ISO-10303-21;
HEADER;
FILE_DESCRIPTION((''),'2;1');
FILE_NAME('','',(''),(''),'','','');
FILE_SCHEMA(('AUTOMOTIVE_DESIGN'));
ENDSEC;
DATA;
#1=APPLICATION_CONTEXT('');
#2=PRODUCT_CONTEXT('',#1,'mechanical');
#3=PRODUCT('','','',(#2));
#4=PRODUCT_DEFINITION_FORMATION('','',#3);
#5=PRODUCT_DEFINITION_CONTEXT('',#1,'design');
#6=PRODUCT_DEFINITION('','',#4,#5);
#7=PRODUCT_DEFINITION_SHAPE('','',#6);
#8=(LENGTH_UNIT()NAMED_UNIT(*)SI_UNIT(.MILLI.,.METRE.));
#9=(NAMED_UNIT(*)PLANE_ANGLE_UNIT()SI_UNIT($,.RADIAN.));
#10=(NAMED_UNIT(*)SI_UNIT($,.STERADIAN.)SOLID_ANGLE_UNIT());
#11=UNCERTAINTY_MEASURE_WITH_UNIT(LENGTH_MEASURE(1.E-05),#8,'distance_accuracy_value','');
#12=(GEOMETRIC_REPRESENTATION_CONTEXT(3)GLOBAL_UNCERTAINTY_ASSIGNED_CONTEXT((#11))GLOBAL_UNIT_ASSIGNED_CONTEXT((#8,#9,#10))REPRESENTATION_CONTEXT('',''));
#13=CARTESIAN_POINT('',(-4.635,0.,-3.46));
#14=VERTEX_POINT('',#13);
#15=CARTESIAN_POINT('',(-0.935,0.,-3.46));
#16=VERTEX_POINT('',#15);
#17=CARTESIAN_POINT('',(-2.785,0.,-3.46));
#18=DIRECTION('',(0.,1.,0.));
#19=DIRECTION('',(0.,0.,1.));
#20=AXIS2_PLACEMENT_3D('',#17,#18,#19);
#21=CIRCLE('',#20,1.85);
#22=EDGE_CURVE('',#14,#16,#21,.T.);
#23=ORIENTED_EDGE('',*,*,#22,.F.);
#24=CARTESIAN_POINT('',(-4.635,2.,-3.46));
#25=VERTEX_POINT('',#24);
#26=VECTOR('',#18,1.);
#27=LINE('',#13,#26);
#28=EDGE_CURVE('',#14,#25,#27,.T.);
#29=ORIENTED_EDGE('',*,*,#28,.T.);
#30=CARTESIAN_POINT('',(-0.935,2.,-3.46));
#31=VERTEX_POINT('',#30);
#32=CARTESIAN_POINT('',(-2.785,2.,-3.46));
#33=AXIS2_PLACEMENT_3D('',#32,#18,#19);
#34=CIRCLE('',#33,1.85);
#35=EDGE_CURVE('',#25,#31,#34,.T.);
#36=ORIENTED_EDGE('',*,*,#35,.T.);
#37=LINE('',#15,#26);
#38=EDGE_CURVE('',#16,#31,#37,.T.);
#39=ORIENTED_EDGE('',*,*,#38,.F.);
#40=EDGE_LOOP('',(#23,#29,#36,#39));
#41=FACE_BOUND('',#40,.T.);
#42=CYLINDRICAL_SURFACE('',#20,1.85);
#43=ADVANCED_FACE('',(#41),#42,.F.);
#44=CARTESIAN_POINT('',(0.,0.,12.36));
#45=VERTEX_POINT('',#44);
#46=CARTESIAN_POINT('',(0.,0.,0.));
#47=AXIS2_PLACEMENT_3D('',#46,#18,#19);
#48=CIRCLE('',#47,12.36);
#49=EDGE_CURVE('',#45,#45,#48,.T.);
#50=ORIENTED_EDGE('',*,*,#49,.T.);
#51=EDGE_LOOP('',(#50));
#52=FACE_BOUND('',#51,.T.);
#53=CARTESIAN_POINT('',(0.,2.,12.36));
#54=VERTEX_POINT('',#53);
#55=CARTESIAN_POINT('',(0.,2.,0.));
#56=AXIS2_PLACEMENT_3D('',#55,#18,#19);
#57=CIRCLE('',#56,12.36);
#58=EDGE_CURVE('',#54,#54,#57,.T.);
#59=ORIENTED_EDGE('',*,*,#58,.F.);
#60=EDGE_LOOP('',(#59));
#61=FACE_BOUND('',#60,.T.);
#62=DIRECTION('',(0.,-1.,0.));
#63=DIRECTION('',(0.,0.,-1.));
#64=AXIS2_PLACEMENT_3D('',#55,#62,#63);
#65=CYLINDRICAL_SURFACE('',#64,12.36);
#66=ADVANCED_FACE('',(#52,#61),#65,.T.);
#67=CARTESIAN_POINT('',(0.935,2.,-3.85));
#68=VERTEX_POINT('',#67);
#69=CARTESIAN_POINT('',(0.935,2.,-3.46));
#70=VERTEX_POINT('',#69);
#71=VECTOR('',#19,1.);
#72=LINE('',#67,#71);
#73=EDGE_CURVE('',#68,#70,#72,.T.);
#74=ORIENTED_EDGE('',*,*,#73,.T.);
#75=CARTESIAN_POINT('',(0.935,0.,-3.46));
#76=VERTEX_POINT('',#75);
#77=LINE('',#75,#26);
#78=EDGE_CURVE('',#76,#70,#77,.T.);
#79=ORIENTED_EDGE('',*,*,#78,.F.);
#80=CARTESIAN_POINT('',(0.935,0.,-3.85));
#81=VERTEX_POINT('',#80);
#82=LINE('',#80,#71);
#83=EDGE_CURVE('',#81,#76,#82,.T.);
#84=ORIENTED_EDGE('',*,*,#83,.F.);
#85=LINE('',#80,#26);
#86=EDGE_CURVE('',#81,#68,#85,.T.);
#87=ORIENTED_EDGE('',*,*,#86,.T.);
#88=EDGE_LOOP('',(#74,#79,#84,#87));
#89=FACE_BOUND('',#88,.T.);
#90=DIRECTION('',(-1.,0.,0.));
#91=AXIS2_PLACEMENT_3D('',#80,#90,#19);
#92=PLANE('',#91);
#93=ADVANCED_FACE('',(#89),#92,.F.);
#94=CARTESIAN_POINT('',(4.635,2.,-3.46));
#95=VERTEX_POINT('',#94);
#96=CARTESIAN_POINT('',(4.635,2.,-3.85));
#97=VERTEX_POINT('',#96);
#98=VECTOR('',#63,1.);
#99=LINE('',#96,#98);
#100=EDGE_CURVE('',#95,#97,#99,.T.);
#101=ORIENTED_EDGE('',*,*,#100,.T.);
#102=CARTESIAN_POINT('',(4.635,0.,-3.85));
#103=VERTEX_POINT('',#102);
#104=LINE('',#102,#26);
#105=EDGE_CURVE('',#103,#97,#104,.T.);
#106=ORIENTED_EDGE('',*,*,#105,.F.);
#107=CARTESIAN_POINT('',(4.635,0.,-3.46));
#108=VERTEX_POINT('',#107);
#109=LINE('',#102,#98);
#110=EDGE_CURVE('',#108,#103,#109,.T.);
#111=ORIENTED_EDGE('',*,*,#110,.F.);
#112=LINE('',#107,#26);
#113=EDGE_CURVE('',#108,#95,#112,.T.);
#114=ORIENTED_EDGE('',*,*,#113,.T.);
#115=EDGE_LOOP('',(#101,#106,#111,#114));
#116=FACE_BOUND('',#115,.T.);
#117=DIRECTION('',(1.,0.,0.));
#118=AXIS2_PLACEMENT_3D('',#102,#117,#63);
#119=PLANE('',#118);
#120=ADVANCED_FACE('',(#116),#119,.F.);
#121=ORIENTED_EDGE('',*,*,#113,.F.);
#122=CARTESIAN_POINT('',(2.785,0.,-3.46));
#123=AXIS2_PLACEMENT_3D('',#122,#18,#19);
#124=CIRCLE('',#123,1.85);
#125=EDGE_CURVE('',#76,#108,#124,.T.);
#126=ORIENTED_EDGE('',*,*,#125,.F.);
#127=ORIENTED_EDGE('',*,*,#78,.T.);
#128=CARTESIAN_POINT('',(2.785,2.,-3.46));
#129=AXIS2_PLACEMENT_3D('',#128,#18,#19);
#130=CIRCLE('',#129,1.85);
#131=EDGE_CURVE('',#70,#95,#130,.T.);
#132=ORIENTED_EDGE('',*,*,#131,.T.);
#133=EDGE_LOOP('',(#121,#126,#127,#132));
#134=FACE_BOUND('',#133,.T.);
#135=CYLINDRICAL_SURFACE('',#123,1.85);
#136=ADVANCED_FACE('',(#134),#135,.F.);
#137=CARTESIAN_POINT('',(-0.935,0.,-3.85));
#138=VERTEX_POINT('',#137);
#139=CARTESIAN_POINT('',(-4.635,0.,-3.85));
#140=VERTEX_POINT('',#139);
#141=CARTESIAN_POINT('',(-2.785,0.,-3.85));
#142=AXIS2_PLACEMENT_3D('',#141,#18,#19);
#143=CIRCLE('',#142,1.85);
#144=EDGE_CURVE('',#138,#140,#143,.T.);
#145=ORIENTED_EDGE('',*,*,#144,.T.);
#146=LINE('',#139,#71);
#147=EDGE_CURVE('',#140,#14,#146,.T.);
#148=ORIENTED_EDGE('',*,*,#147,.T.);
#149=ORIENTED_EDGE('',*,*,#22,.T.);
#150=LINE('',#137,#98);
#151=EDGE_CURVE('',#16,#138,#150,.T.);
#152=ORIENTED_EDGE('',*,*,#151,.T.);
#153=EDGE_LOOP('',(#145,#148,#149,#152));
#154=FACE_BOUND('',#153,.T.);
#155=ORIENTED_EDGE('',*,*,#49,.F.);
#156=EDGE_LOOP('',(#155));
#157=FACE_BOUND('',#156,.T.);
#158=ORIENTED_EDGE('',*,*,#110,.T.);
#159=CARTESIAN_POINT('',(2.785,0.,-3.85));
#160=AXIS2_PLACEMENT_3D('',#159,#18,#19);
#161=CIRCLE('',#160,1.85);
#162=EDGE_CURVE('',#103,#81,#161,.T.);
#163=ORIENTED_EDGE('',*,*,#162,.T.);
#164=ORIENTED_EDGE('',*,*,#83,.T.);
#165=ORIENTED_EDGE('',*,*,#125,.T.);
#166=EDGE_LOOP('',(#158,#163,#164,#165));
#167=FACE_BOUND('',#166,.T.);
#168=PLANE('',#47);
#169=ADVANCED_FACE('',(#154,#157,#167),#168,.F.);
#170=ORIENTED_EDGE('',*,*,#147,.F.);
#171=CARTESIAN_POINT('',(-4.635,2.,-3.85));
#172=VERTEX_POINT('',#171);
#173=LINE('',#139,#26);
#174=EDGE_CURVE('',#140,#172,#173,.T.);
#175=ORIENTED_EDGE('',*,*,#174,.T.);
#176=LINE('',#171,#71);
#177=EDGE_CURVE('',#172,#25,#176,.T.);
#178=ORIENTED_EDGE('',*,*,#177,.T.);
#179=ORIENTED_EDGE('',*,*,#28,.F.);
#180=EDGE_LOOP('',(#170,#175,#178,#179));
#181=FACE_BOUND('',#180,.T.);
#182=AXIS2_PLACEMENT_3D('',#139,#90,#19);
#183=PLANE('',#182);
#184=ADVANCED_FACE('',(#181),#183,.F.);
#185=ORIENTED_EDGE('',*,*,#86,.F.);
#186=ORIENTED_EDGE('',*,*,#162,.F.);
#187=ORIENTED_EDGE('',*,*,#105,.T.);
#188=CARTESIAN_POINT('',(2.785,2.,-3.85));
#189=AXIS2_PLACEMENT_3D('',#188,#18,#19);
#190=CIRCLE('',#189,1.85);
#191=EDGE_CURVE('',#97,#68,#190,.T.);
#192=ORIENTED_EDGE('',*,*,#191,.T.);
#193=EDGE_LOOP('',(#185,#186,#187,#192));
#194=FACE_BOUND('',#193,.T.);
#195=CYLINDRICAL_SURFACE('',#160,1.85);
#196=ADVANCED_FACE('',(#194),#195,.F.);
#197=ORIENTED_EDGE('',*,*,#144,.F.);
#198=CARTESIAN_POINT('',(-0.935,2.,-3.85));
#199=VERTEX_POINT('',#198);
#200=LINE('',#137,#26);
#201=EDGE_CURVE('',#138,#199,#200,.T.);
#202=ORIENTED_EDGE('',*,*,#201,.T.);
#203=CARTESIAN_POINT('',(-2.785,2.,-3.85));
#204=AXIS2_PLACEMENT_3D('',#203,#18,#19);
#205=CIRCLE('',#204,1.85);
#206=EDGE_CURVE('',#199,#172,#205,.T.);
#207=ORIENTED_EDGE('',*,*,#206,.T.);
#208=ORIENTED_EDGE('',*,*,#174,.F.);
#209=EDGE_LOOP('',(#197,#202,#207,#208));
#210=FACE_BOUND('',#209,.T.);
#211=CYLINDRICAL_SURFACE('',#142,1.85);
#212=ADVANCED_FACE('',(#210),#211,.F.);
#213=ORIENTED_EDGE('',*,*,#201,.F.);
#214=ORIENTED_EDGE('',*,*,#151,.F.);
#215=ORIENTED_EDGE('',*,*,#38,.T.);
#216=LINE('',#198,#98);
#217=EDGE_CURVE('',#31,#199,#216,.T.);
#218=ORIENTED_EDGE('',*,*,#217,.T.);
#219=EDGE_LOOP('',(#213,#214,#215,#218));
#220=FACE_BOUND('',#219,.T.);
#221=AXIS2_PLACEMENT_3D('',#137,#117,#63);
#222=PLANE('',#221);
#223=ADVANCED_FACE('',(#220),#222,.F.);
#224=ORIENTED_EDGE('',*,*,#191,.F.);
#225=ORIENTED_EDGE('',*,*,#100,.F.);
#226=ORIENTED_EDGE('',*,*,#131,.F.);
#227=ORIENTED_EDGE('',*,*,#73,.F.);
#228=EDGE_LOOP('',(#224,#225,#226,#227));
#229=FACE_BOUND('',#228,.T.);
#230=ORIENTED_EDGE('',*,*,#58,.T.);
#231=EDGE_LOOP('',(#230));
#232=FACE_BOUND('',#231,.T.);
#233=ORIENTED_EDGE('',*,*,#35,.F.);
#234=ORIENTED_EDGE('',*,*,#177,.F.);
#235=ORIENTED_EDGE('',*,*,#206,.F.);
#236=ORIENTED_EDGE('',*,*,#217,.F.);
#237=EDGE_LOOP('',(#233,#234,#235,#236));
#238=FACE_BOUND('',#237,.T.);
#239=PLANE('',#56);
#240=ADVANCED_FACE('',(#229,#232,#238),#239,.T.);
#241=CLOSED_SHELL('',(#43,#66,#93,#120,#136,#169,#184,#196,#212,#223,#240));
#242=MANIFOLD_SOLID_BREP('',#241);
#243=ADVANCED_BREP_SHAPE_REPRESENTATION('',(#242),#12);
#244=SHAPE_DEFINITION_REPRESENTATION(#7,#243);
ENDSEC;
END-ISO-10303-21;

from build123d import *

# Parameters (mm, degrees)
SKETCH1_R           = 12.36
BOSS_EXTRUDE1_DEPTH = 2
CUT_EXTRUDE1_DEPTH  = 18.593726155


with BuildPart() as part:
    # Sketch1 → Boss-Extrude1 (new body)
    with BuildSketch(Plane(origin=(0, 0, 0), x_dir=(1, 0, 0), z_dir=(0, 1, 0))):
        with Locations(Location((0, 0, 0), (0, 0, 270))):
            Circle(SKETCH1_R)
    extrude(amount=BOSS_EXTRUDE1_DEPTH)

    # Sketch2 → Cut-Extrude1 (cut, through all)
    with BuildSketch(Plane(origin=(0, 2, 0), x_dir=(1, 0, 0), z_dir=(0, 1, 0))):
        with BuildLine():
            Line((4.635, 3.85), (4.635, 3.46))
            ThreePointArc((4.635, 3.46), (2.785, 1.61), (0.935, 3.46))
            Line((0.935, 3.46), (0.935, 3.85))
            ThreePointArc((0.935, 3.85), (2.785, 5.7), (4.635, 3.85))
        make_face()
        with BuildLine():
            Line((-0.935, 3.85), (-0.935, 3.46))
            ThreePointArc((-0.935, 3.46), (-2.785, 1.61), (-4.635, 3.46))
            Line((-4.635, 3.46), (-4.635, 3.85))
            ThreePointArc((-4.635, 3.85), (-2.785, 5.7), (-0.935, 3.85))
        make_face()
    extrude(amount=-CUT_EXTRUDE1_DEPTH, mode=Mode.SUBTRACT)


solid = part.part
